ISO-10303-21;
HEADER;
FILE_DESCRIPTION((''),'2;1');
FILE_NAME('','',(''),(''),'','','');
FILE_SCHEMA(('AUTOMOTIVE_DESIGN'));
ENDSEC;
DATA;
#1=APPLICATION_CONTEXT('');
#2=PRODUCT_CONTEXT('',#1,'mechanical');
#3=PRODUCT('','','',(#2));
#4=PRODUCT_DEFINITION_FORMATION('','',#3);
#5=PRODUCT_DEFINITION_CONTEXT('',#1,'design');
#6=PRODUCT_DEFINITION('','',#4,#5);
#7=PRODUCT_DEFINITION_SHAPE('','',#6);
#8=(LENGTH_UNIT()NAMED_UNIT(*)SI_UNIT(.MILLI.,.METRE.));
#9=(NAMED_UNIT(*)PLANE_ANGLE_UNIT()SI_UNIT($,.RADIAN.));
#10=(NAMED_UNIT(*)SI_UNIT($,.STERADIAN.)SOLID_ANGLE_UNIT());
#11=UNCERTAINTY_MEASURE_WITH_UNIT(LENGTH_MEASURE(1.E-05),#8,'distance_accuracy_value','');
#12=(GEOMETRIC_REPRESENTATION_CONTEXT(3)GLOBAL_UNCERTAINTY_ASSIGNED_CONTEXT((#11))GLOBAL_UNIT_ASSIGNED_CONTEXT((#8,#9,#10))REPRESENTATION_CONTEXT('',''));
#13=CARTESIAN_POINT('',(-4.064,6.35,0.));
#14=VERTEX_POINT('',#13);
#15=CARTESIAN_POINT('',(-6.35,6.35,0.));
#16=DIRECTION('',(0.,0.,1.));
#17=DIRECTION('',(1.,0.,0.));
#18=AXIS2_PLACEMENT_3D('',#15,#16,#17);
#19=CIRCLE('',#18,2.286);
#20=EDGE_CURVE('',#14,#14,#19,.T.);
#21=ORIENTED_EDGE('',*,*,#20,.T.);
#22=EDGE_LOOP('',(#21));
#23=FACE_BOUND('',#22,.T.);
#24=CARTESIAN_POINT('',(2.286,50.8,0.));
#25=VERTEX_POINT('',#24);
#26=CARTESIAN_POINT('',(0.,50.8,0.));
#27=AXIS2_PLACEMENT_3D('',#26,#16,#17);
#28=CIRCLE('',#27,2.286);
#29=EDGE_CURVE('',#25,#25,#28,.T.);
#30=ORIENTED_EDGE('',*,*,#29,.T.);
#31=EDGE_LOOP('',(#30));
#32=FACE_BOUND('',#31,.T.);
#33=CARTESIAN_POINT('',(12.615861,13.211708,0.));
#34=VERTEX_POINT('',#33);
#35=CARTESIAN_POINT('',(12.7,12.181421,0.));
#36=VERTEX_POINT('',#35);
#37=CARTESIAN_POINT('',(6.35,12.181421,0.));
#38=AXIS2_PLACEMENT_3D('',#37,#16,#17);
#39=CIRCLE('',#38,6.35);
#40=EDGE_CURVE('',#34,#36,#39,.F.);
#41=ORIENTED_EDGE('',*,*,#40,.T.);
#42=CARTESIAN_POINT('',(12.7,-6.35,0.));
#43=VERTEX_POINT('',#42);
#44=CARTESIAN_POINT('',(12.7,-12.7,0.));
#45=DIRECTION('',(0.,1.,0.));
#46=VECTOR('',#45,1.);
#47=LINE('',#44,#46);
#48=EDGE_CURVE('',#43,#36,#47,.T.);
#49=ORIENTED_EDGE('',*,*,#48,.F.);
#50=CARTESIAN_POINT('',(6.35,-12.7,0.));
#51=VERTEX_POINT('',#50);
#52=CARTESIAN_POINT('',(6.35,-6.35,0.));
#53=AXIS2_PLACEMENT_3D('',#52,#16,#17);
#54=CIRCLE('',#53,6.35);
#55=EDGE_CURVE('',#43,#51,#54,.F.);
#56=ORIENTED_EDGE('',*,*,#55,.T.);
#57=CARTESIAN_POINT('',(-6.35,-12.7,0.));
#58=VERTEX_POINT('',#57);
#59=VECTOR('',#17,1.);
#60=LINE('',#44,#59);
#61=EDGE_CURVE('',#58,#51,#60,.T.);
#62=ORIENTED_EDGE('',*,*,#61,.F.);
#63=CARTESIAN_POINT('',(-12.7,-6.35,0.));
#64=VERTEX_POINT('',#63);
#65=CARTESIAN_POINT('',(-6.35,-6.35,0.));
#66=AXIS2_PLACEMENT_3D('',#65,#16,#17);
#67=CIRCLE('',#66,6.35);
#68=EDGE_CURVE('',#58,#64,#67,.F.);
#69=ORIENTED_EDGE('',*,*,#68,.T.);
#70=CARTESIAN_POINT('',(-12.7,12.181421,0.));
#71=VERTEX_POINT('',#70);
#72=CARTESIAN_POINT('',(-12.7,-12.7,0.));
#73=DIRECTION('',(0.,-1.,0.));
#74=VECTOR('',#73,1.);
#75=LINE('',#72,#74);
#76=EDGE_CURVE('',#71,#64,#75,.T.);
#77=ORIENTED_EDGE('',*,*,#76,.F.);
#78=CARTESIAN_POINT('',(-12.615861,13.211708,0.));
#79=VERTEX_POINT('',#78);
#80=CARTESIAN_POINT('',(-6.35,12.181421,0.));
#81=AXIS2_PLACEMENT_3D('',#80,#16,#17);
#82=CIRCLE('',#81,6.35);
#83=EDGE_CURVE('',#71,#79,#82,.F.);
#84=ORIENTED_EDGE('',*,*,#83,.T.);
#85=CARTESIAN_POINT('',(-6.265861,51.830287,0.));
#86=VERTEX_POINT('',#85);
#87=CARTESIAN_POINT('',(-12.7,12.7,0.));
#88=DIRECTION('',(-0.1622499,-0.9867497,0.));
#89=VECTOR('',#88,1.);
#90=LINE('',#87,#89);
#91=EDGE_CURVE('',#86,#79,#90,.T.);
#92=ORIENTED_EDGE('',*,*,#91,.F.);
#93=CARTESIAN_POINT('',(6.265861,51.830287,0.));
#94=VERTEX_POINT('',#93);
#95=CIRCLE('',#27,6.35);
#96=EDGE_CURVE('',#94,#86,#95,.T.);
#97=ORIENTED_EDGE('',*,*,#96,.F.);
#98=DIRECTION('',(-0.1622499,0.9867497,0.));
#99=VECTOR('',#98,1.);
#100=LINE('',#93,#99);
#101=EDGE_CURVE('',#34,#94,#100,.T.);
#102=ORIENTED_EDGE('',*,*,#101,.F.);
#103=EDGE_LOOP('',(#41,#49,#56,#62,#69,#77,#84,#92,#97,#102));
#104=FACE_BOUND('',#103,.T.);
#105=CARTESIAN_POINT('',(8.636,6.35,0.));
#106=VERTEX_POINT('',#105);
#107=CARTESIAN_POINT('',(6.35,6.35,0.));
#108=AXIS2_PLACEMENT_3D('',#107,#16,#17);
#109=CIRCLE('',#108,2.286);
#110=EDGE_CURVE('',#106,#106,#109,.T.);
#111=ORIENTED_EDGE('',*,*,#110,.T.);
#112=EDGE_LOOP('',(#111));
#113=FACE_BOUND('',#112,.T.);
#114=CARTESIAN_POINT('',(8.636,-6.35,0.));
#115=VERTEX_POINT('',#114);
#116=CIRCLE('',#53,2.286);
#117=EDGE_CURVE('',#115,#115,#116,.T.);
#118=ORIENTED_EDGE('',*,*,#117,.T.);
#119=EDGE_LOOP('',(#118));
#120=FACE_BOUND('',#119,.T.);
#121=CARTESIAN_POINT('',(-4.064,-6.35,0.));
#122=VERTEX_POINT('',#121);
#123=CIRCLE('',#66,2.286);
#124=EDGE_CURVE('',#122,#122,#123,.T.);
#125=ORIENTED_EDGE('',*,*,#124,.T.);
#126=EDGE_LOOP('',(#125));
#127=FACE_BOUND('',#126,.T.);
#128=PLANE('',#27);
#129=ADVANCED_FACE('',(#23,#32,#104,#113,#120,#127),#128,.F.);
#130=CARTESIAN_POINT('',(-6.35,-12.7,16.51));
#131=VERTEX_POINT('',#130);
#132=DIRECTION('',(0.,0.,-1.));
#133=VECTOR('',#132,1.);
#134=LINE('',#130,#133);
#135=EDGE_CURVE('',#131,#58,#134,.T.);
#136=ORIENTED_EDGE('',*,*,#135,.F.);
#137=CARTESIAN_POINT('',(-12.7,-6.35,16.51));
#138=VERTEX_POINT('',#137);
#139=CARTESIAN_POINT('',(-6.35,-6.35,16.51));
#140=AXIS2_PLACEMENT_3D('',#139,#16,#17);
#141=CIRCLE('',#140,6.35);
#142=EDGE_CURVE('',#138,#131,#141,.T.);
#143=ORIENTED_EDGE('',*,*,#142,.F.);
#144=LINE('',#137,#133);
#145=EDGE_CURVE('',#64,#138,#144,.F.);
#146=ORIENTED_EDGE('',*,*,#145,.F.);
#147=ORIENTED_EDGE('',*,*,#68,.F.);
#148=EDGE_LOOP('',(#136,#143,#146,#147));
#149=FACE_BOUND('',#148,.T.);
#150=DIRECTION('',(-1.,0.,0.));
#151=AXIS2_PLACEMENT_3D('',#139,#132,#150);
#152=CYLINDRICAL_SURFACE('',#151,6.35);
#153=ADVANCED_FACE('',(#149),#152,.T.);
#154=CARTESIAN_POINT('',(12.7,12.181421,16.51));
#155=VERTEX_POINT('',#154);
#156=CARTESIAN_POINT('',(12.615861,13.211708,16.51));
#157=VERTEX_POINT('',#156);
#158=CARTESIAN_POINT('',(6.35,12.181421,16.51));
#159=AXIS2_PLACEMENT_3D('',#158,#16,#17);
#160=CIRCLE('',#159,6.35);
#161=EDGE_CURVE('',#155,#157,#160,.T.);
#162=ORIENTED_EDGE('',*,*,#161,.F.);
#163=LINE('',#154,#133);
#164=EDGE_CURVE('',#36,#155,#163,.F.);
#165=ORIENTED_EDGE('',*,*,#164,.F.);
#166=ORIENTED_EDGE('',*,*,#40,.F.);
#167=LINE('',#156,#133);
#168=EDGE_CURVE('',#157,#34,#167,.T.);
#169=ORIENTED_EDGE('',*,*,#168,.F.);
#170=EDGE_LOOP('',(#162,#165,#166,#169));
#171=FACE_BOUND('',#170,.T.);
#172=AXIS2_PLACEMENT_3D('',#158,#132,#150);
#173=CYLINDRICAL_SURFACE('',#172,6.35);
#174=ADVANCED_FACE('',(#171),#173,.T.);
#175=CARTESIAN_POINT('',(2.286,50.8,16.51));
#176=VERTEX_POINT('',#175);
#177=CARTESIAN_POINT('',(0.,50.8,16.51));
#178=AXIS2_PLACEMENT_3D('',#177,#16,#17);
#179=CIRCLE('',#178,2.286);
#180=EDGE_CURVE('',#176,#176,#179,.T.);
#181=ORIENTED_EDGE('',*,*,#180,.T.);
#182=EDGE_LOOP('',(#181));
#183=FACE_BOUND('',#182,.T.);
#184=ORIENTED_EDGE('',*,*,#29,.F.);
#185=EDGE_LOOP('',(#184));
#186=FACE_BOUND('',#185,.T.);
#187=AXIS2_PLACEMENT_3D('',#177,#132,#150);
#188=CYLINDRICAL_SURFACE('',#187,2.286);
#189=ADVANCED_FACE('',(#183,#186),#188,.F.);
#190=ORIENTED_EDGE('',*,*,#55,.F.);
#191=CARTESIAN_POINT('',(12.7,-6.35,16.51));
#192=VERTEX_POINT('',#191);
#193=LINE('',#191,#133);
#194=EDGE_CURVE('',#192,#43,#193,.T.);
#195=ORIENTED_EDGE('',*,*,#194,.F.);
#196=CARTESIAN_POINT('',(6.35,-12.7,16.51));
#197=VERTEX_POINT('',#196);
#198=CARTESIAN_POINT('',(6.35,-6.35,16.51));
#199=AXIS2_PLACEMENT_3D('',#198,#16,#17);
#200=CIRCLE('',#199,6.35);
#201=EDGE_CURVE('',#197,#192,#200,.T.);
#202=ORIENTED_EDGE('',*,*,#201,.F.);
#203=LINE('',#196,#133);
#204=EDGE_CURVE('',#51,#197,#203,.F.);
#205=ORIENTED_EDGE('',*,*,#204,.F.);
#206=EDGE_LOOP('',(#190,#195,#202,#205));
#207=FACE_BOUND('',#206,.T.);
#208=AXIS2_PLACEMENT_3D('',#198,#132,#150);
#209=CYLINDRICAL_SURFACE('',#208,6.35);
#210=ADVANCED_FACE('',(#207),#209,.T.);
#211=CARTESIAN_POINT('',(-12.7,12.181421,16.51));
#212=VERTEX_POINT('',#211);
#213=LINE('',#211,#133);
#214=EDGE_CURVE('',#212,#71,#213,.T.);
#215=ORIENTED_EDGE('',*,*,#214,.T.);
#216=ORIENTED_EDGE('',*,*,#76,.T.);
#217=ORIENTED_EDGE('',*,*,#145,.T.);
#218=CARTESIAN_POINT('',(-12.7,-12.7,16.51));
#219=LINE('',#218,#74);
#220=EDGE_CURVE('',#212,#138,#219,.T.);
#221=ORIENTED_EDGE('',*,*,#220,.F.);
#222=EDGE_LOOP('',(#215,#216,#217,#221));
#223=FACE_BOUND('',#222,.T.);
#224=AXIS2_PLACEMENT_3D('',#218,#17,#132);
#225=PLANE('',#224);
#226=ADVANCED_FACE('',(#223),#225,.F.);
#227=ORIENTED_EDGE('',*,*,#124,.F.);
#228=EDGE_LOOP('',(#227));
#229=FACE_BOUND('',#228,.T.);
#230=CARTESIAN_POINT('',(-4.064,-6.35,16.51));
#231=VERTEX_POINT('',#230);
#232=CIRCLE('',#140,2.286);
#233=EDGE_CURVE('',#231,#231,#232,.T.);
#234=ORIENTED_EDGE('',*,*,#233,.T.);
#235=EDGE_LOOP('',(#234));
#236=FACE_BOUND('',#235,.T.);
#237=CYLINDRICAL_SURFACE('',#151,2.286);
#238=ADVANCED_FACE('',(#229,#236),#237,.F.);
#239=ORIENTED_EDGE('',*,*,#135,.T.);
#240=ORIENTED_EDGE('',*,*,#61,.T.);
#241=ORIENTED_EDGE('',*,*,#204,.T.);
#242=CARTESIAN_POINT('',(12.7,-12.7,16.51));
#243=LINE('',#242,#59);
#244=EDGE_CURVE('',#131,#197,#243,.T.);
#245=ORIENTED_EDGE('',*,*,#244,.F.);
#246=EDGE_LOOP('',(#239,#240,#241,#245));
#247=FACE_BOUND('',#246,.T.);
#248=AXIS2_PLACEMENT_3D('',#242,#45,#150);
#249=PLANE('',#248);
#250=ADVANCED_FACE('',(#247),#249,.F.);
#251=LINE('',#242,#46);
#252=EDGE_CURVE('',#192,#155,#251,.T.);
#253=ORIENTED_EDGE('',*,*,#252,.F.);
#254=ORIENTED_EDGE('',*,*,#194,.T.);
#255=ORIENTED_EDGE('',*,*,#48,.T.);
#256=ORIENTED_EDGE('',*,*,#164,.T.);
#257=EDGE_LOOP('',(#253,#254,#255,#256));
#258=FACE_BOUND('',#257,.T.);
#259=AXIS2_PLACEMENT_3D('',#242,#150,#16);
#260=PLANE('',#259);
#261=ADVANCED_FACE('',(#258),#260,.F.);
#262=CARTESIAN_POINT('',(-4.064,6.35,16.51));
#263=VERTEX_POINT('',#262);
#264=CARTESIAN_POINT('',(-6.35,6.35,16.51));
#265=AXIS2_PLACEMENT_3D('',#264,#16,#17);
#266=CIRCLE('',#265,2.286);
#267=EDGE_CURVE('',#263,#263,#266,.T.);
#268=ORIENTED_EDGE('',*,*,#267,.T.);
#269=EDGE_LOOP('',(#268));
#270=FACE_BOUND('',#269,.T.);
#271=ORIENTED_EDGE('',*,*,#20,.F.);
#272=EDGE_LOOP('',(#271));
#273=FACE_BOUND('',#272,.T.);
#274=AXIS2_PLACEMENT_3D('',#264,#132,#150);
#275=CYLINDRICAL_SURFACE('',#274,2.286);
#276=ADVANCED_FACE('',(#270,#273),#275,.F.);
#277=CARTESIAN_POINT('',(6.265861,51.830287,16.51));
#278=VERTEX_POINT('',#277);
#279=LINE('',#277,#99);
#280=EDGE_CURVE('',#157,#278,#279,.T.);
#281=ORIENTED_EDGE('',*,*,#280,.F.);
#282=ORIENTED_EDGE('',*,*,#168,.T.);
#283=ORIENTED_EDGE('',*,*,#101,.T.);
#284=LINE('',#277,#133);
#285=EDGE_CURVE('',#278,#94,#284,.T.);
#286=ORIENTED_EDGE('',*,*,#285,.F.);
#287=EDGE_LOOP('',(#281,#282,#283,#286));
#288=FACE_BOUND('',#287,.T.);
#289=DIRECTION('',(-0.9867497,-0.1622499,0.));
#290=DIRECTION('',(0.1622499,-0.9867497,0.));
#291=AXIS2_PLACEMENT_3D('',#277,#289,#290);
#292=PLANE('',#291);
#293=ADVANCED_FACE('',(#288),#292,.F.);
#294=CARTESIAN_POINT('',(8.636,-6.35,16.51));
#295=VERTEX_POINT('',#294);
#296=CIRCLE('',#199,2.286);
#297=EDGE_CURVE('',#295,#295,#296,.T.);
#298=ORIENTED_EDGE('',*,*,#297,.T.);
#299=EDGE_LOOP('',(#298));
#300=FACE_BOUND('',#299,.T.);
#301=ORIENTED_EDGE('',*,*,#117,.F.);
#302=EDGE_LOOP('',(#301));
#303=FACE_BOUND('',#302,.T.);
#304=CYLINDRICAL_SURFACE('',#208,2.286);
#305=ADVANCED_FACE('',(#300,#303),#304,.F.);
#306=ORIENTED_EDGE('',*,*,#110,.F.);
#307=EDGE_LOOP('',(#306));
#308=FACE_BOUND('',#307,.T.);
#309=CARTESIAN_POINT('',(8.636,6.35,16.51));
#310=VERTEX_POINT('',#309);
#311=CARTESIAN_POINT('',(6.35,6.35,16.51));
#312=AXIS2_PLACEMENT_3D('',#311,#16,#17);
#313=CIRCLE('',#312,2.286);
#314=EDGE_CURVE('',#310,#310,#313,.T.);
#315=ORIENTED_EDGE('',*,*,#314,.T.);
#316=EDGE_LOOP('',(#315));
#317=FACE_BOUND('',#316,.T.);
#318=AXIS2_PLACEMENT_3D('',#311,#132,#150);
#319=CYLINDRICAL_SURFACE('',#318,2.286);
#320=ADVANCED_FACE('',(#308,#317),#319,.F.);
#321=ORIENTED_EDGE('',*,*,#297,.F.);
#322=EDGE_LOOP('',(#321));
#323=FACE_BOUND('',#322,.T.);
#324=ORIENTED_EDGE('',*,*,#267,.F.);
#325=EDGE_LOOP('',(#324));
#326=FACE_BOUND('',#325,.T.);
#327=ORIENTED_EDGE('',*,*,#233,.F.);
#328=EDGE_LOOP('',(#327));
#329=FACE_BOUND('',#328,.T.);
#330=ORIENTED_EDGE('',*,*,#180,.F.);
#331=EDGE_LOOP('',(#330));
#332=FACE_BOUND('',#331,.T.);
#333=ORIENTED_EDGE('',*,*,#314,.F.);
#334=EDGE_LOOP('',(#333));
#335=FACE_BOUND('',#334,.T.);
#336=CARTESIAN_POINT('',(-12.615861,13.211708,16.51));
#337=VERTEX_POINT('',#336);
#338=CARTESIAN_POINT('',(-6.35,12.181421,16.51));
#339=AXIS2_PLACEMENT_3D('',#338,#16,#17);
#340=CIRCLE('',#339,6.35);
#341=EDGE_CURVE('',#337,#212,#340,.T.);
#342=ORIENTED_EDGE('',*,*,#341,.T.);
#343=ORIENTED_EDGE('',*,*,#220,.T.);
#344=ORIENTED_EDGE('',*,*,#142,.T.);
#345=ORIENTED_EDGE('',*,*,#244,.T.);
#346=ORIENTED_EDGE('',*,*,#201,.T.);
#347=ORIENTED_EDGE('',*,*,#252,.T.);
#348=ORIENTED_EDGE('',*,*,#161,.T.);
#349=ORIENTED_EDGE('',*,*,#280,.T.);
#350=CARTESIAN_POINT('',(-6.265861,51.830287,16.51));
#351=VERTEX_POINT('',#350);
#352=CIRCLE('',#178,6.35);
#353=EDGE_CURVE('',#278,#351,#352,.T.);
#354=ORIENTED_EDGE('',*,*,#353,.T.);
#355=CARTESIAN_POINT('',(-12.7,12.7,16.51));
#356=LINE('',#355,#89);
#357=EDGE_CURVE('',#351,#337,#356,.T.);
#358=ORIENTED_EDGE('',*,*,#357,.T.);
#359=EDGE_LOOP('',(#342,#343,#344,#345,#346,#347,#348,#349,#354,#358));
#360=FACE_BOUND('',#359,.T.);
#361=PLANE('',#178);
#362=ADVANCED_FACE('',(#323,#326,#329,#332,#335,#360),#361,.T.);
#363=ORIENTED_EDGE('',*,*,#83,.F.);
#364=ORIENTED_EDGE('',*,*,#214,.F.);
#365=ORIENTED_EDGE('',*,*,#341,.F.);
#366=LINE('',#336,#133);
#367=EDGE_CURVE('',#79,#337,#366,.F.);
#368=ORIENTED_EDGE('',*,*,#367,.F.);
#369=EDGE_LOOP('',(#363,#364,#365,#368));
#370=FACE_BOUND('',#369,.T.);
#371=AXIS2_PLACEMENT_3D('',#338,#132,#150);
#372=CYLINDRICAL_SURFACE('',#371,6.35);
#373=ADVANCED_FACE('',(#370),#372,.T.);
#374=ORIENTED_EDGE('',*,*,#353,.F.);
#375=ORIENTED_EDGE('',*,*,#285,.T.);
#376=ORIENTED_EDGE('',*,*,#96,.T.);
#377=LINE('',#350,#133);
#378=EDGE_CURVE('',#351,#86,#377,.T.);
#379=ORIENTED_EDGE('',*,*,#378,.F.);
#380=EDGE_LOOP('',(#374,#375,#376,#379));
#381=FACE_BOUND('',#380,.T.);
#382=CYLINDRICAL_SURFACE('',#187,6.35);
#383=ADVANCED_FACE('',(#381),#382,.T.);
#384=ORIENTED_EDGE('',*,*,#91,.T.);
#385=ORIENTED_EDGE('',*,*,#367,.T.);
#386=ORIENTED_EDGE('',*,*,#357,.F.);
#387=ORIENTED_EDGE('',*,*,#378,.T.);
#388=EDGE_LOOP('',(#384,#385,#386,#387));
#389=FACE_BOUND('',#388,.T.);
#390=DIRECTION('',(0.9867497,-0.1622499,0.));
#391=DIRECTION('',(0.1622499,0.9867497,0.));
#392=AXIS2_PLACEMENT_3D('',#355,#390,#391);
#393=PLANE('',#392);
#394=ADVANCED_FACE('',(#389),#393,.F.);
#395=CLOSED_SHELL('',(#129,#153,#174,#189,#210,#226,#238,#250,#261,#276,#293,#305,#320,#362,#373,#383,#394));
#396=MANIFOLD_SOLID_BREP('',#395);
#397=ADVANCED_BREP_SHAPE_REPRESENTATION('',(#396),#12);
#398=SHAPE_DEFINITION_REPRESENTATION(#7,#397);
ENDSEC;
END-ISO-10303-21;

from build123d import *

# Parameters (mm, degrees)
SKETCH1_R           = 2.286
BOSS_EXTRUDE1_DEPTH = 16.51
FILLET1_R           = 6.35


with BuildPart() as part:
    # Sketch1 → Boss-Extrude1 (new body)
    with BuildSketch(Plane.XY):
        with BuildLine():
            Line((-12.7, 12.7), (-6.265860593, 51.830286864))
            ThreePointArc((-6.265860593, 51.830286864), (0, 57.15), (6.265860593, 51.830286864))
            Line((6.265860593, 51.830286864), (12.7, 12.7))
            Line((12.7, 12.7), (12.7, -12.7))
            Line((12.7, -12.7), (-12.7, -12.7))
            Line((-12.7, -12.7), (-12.7, 12.7))
        make_face()
        with Locations((-6.35, -6.35)):
            Circle(SKETCH1_R, mode=Mode.SUBTRACT)
        with Locations((0, 50.8)):
            Circle(SKETCH1_R, mode=Mode.SUBTRACT)
        with Locations((6.35, -6.35)):
            Circle(SKETCH1_R, mode=Mode.SUBTRACT)
        with Locations((6.35, 6.35)):
            Circle(SKETCH1_R, mode=Mode.SUBTRACT)
        with Locations((-6.35, 6.35)):
            Circle(SKETCH1_R, mode=Mode.SUBTRACT)
    extrude(amount=BOSS_EXTRUDE1_DEPTH)

    # Fillet1
    fillet1_edges = [part.edges().sort_by_distance(p)[0] for p in [
        (-12.7, 12.7, 8.255),
        (12.7, 12.7, 8.255),
        (12.7, -12.7, 8.255),
        (-12.7, -12.7, 8.255),
    ]]
    fillet(fillet1_edges, radius=FILLET1_R)


solid = part.part
